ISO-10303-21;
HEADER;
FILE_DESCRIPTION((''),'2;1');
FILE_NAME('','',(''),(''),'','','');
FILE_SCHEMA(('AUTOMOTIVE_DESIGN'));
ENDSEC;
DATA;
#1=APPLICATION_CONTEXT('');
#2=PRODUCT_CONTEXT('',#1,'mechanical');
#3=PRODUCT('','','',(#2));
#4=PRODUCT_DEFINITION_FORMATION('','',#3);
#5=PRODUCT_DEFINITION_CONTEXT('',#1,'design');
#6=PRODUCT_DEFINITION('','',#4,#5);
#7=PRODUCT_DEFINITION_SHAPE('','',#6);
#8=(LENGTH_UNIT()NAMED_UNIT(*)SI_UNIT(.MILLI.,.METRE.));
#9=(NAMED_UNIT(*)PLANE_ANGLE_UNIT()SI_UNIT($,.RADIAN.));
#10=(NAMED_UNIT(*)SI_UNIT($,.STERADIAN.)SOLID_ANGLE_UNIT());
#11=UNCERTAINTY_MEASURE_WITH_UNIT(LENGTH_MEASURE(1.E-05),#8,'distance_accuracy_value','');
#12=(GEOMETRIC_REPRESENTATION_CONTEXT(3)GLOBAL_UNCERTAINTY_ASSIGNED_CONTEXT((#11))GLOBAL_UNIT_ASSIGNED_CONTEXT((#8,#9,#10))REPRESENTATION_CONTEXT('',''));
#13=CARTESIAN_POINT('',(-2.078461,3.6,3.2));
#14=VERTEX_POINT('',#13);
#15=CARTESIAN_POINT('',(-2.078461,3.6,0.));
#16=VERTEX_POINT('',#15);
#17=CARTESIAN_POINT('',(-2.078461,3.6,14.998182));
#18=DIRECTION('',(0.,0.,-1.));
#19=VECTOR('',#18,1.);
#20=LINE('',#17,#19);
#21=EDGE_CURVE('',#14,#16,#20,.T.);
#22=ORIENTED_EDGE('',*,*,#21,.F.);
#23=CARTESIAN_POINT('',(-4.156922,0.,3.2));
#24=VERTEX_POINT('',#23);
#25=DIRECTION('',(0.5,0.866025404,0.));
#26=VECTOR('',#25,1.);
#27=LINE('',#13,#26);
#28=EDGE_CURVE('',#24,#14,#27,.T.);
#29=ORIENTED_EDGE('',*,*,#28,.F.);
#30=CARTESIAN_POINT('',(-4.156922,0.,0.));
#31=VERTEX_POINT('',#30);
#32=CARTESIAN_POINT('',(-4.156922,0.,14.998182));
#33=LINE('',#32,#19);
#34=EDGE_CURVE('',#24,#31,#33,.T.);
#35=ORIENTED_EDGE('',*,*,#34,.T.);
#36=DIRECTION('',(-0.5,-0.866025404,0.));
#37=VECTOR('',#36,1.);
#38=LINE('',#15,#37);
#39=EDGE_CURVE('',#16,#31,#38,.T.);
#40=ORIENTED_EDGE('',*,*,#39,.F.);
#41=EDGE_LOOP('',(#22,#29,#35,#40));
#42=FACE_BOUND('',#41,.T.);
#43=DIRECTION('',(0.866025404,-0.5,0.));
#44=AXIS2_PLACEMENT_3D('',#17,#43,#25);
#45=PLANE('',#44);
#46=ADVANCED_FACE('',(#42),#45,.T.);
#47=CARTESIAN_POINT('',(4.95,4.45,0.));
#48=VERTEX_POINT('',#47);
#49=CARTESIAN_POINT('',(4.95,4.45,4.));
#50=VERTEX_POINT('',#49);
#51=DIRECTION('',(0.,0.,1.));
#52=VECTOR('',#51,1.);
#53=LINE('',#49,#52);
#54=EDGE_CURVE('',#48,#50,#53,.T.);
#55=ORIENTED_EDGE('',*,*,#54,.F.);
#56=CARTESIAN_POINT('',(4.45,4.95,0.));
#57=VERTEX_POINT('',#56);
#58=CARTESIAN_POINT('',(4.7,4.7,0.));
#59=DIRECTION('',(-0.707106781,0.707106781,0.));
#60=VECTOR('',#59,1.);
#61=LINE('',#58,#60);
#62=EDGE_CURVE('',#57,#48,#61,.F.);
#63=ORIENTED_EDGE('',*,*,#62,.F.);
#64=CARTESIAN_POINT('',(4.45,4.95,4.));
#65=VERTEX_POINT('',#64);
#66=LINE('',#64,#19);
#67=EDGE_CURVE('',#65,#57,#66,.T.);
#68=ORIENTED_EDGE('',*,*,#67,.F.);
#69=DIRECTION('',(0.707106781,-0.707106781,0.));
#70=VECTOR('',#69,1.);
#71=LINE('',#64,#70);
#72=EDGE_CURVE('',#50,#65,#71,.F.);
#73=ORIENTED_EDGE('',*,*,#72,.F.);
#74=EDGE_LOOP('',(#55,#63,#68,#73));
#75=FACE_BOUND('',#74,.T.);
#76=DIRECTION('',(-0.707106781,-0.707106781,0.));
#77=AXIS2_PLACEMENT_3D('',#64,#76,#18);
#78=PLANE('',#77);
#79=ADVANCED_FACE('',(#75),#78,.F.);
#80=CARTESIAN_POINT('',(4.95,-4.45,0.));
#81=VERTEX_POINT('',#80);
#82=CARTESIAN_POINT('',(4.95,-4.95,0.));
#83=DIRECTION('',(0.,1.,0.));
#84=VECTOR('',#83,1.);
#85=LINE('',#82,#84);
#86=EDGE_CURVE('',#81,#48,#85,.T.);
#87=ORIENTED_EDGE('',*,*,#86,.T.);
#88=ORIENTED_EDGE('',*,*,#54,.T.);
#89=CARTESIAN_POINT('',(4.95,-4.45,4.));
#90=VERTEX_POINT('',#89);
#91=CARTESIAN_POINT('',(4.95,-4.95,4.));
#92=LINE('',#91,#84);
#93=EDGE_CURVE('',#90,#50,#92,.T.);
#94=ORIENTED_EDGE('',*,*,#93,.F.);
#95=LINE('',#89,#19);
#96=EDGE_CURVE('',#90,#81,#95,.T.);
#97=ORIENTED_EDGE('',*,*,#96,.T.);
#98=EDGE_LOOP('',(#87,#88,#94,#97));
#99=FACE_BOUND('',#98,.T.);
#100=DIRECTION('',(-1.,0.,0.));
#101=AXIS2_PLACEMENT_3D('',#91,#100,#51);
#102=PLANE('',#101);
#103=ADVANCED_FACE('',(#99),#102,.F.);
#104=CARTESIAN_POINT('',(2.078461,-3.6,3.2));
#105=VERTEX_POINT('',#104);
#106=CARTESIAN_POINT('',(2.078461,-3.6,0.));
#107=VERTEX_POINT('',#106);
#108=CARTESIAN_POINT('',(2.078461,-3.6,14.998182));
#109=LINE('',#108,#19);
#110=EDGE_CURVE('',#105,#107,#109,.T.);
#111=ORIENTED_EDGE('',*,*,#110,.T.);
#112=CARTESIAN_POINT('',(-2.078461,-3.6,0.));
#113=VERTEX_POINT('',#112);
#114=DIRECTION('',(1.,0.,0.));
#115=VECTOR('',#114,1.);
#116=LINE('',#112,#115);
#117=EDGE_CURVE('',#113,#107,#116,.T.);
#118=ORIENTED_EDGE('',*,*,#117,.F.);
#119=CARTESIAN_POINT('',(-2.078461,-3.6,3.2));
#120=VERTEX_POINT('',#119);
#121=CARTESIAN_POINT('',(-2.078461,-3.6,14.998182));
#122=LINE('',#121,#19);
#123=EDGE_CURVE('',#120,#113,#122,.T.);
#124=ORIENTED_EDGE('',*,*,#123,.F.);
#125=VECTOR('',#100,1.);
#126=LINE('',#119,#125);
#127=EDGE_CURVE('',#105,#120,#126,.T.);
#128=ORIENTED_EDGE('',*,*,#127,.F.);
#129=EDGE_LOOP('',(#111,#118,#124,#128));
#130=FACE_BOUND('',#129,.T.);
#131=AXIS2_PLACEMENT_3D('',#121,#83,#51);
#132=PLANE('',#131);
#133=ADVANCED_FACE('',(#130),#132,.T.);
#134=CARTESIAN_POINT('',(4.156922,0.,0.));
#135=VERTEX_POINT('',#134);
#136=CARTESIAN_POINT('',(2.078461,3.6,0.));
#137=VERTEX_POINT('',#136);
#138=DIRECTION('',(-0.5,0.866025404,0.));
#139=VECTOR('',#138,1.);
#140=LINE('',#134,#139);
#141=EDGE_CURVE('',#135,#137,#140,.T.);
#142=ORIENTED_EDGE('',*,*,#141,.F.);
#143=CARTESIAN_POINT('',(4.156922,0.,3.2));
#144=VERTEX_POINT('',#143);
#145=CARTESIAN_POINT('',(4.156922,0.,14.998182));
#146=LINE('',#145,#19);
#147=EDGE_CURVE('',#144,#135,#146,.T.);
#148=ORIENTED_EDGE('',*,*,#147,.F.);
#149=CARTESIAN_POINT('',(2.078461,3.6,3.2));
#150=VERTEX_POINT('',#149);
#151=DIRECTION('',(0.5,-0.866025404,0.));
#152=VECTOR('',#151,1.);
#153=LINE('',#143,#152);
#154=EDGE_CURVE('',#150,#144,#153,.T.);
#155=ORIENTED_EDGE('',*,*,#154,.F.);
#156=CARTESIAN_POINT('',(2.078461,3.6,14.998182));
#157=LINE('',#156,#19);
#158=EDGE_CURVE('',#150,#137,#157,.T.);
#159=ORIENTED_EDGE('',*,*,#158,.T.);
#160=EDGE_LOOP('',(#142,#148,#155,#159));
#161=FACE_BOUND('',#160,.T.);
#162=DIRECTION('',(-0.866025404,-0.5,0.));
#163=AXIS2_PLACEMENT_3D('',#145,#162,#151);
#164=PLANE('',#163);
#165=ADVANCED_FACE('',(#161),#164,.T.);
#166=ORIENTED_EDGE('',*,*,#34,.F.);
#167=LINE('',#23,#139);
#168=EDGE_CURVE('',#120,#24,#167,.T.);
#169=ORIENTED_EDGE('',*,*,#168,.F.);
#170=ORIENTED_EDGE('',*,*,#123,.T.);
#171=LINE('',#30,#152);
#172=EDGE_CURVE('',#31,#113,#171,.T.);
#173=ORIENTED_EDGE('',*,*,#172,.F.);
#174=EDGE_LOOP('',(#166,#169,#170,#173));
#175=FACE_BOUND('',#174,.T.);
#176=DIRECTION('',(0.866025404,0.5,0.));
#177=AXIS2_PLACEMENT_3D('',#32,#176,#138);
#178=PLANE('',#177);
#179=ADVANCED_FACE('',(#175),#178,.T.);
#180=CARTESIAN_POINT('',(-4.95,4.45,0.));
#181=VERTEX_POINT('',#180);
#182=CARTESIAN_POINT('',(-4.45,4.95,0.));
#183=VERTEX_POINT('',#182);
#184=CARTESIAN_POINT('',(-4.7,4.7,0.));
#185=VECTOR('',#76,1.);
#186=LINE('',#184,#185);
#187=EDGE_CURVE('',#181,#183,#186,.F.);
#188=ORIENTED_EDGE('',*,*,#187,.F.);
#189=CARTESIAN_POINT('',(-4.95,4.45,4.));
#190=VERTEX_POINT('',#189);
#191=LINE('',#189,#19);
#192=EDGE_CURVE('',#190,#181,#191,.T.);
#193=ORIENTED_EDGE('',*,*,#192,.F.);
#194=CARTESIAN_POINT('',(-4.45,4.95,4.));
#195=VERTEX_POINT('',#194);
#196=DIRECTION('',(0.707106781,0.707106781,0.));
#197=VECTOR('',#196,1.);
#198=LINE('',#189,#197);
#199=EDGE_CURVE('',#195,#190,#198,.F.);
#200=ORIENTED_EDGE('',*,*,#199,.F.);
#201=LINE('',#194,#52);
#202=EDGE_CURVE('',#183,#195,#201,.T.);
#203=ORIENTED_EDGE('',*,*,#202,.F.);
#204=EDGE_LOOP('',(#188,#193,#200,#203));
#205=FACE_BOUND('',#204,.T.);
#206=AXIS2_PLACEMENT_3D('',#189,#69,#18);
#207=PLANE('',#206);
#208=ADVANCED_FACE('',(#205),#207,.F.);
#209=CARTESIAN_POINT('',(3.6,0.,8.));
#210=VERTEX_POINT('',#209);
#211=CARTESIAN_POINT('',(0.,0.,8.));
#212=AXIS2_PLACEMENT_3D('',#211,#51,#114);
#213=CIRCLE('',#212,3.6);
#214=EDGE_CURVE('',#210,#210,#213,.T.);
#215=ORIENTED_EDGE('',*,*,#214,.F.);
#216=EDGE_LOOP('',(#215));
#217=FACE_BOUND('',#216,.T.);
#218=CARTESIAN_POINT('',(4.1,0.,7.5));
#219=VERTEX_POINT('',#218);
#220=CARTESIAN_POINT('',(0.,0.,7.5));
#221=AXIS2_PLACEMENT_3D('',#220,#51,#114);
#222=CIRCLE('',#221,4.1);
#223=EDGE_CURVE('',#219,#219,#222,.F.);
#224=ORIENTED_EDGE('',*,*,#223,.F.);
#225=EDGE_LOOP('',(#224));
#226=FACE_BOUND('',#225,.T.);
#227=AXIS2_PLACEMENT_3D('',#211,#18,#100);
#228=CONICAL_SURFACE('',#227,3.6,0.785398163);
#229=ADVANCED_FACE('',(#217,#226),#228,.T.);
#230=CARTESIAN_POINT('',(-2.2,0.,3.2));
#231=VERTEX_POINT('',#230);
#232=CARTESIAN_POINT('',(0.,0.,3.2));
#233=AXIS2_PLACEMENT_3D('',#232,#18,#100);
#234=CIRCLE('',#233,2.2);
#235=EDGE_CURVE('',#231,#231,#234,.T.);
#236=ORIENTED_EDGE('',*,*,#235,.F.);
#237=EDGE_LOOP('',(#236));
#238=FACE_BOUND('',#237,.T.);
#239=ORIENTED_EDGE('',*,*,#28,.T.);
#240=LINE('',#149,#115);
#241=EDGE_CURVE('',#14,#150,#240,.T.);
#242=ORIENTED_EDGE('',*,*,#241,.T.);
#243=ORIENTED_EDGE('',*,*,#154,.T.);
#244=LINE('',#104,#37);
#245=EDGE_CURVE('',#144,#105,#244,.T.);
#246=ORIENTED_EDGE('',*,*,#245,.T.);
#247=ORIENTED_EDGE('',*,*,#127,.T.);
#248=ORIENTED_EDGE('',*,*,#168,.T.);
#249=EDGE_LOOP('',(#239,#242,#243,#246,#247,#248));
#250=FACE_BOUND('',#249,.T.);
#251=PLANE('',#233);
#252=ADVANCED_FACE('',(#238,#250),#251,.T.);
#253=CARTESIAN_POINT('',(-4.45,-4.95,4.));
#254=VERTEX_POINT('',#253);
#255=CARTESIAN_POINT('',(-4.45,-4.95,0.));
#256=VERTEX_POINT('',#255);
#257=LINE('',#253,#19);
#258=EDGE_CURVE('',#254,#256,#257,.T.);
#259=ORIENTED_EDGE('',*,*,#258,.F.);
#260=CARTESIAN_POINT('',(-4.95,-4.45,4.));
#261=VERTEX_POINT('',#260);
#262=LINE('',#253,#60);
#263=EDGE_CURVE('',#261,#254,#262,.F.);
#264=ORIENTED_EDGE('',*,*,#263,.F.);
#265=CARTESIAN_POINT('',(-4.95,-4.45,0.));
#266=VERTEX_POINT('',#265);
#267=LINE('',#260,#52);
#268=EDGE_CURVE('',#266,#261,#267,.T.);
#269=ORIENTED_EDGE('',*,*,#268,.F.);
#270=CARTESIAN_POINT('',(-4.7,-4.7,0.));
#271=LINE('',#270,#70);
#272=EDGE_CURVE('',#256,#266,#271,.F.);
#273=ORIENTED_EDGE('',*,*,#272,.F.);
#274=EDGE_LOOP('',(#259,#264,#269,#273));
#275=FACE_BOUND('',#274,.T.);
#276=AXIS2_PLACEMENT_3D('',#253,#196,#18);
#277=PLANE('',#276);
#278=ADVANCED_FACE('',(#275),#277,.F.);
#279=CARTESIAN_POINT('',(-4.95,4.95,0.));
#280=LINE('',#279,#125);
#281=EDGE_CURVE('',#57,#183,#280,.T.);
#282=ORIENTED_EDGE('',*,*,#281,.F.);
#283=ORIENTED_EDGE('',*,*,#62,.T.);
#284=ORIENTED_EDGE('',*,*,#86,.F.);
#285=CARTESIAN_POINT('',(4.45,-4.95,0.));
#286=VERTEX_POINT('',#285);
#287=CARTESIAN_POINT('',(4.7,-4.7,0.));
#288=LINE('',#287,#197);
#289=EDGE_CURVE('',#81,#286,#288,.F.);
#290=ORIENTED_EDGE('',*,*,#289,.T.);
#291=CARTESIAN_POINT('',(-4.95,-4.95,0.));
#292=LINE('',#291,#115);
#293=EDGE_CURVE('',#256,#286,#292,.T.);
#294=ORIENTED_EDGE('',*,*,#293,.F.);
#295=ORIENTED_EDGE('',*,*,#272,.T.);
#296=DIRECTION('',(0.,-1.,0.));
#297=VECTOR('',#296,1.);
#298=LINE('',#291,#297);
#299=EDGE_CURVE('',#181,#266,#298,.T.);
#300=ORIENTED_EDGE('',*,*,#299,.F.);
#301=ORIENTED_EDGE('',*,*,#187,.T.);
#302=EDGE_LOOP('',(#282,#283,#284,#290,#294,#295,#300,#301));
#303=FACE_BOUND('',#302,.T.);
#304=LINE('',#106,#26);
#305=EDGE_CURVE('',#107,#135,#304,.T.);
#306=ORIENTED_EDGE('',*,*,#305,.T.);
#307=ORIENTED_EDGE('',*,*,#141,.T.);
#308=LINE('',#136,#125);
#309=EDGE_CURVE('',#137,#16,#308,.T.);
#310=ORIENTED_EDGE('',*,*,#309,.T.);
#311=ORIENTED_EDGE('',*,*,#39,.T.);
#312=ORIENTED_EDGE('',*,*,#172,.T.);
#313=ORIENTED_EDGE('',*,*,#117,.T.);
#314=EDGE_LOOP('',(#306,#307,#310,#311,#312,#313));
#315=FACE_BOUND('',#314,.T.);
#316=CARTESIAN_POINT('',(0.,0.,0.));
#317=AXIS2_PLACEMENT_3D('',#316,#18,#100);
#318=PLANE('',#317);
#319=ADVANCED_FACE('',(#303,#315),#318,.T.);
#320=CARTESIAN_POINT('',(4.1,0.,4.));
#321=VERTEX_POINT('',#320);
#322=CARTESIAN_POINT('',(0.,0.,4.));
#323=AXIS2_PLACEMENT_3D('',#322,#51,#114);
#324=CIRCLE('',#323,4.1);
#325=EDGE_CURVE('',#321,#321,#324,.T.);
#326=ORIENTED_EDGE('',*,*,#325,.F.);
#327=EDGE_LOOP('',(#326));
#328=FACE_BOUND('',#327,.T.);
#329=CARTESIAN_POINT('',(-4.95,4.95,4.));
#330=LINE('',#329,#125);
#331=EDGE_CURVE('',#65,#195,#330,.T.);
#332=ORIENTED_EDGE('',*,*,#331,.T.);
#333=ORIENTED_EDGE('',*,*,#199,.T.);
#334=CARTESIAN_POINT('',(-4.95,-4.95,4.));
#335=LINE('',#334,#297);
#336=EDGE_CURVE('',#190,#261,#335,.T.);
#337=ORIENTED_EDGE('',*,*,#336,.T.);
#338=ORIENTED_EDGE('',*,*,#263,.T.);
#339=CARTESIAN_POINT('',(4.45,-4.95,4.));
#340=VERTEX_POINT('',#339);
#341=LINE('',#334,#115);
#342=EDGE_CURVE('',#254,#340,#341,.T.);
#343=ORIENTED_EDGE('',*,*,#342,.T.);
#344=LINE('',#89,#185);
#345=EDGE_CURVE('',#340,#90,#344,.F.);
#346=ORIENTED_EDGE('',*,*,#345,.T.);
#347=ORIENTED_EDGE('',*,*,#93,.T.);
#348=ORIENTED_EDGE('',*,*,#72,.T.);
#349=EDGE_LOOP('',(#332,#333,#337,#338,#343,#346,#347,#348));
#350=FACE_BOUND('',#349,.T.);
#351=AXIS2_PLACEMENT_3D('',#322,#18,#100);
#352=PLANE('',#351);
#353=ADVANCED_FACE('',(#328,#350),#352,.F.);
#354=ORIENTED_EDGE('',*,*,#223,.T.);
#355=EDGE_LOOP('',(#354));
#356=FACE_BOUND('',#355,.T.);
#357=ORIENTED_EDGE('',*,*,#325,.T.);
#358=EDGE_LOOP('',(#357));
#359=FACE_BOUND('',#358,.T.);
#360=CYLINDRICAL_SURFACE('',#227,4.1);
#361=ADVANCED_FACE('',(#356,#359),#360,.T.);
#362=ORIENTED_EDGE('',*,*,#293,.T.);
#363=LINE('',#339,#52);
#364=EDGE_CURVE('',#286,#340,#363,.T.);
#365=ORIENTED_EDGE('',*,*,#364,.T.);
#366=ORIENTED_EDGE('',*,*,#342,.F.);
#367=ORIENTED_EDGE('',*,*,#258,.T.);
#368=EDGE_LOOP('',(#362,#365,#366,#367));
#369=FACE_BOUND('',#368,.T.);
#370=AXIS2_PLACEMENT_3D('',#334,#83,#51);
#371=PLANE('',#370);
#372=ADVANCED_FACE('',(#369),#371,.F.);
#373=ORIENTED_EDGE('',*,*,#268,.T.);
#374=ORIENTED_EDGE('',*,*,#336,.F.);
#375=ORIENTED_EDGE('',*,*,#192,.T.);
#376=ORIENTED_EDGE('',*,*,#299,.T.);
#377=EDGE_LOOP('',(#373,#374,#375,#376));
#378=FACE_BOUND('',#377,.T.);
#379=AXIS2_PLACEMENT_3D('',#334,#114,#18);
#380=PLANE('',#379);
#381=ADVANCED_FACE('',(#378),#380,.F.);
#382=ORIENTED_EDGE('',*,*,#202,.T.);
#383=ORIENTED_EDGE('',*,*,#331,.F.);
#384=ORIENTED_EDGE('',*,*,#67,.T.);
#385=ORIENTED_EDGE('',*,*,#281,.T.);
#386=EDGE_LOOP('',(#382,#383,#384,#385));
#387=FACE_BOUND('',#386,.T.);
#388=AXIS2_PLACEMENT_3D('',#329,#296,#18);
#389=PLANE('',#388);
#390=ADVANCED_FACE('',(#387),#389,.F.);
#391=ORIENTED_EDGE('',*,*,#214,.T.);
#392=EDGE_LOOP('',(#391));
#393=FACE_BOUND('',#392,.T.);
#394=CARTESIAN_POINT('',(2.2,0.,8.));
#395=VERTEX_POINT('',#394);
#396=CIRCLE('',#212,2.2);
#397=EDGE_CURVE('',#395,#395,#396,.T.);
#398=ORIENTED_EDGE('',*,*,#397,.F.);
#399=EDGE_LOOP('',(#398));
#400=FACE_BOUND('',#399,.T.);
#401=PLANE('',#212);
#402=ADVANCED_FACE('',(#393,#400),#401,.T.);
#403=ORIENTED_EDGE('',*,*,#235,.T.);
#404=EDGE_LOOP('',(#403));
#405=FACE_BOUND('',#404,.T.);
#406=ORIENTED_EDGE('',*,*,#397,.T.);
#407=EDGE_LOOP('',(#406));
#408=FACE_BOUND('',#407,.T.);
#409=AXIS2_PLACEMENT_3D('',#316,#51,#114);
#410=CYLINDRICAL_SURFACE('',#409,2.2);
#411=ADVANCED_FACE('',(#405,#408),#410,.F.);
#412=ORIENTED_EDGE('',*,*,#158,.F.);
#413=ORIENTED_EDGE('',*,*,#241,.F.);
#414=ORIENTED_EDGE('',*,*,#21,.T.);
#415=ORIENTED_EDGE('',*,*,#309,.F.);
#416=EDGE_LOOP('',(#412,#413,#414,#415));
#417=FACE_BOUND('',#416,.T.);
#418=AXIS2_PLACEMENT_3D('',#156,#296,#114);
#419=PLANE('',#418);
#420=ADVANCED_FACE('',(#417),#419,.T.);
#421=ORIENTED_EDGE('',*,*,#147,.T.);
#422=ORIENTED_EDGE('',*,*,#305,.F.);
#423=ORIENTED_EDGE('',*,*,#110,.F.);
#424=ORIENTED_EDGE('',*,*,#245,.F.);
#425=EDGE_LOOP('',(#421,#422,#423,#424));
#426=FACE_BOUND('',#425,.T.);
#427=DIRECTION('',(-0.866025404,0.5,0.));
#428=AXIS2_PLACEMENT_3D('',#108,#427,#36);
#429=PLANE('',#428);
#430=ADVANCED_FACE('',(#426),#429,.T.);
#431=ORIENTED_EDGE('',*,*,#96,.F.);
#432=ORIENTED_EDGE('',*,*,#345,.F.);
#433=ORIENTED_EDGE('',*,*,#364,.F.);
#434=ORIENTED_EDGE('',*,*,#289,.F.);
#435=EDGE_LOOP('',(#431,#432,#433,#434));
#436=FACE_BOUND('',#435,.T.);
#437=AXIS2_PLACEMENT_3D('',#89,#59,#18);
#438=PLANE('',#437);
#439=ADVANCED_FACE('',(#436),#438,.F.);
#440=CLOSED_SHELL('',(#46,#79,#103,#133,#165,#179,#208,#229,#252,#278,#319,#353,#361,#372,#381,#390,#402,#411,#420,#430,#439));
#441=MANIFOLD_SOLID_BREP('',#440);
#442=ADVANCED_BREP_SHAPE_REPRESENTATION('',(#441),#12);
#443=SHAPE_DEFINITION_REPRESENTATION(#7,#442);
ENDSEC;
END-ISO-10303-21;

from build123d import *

# Parameters (mm, degrees)
ESQUISSE1_W             = 9.9
ESQUISSE1_H             = 9.9
BOSS_EXTRU_1_DEPTH      = 4
ENL_V_MAT_EXTRU_1_DEPTH = 3.2
ESQUISSE4_R             = 4.1
BOSS_EXTRU_2_DEPTH      = 4
CHANFREIN1_SIZE         = 0.5
ESQUISSE5_R             = 2.2
ENL_V_MAT_EXTRU_3_DEPTH = 11.63038099
CHANFREIN2_SIZE         = 0.5


with BuildPart() as part:
    # Esquisse1 → Boss.-Extru.1 (new body)
    with BuildSketch(Plane.XY):
        Rectangle(ESQUISSE1_W, ESQUISSE1_H)
    extrude(amount=BOSS_EXTRU_1_DEPTH)

    # Esquisse2 → Enlèv. mat.-Extru.1 (cut)
    with BuildSketch(Plane.XY):
        Polygon((4.156921938, 0), (2.078460969, 3.6), (-2.078460969, 3.6), (-4.156921938, 0), (-2.078460969, -3.6), (2.078460969, -3.6), align=None)
    extrude(amount=ENL_V_MAT_EXTRU_1_DEPTH, mode=Mode.SUBTRACT)

    # Esquisse4 → Boss.-Extru.2 (add)
    with BuildSketch(Plane.XY.offset(4)):
        Circle(ESQUISSE4_R)
    extrude(amount=BOSS_EXTRU_2_DEPTH)

    # Chanfrein1
    chanfrein1_edges = [part.edges().sort_by_distance(p)[0] for p in [
        (-4.1, 0, 8),
    ]]
    chamfer(chanfrein1_edges, length=CHANFREIN1_SIZE)

    # Esquisse5 → Enlèv. mat.-Extru.3 (cut, through all)
    with BuildSketch(Plane.XY.offset(8)):
        Circle(ESQUISSE5_R)
    extrude(amount=-ENL_V_MAT_EXTRU_3_DEPTH, mode=Mode.SUBTRACT)

    # Chanfrein2
    chanfrein2_edges = [part.edges().sort_by_distance(p)[0] for p in [
        (4.95, -4.95, 2),
        (-4.95, -4.95, 2),
        (-4.95, 4.95, 2),
        (4.95, 4.95, 2),
    ]]
    chamfer(chanfrein2_edges, length=CHANFREIN2_SIZE)


solid = part.part
